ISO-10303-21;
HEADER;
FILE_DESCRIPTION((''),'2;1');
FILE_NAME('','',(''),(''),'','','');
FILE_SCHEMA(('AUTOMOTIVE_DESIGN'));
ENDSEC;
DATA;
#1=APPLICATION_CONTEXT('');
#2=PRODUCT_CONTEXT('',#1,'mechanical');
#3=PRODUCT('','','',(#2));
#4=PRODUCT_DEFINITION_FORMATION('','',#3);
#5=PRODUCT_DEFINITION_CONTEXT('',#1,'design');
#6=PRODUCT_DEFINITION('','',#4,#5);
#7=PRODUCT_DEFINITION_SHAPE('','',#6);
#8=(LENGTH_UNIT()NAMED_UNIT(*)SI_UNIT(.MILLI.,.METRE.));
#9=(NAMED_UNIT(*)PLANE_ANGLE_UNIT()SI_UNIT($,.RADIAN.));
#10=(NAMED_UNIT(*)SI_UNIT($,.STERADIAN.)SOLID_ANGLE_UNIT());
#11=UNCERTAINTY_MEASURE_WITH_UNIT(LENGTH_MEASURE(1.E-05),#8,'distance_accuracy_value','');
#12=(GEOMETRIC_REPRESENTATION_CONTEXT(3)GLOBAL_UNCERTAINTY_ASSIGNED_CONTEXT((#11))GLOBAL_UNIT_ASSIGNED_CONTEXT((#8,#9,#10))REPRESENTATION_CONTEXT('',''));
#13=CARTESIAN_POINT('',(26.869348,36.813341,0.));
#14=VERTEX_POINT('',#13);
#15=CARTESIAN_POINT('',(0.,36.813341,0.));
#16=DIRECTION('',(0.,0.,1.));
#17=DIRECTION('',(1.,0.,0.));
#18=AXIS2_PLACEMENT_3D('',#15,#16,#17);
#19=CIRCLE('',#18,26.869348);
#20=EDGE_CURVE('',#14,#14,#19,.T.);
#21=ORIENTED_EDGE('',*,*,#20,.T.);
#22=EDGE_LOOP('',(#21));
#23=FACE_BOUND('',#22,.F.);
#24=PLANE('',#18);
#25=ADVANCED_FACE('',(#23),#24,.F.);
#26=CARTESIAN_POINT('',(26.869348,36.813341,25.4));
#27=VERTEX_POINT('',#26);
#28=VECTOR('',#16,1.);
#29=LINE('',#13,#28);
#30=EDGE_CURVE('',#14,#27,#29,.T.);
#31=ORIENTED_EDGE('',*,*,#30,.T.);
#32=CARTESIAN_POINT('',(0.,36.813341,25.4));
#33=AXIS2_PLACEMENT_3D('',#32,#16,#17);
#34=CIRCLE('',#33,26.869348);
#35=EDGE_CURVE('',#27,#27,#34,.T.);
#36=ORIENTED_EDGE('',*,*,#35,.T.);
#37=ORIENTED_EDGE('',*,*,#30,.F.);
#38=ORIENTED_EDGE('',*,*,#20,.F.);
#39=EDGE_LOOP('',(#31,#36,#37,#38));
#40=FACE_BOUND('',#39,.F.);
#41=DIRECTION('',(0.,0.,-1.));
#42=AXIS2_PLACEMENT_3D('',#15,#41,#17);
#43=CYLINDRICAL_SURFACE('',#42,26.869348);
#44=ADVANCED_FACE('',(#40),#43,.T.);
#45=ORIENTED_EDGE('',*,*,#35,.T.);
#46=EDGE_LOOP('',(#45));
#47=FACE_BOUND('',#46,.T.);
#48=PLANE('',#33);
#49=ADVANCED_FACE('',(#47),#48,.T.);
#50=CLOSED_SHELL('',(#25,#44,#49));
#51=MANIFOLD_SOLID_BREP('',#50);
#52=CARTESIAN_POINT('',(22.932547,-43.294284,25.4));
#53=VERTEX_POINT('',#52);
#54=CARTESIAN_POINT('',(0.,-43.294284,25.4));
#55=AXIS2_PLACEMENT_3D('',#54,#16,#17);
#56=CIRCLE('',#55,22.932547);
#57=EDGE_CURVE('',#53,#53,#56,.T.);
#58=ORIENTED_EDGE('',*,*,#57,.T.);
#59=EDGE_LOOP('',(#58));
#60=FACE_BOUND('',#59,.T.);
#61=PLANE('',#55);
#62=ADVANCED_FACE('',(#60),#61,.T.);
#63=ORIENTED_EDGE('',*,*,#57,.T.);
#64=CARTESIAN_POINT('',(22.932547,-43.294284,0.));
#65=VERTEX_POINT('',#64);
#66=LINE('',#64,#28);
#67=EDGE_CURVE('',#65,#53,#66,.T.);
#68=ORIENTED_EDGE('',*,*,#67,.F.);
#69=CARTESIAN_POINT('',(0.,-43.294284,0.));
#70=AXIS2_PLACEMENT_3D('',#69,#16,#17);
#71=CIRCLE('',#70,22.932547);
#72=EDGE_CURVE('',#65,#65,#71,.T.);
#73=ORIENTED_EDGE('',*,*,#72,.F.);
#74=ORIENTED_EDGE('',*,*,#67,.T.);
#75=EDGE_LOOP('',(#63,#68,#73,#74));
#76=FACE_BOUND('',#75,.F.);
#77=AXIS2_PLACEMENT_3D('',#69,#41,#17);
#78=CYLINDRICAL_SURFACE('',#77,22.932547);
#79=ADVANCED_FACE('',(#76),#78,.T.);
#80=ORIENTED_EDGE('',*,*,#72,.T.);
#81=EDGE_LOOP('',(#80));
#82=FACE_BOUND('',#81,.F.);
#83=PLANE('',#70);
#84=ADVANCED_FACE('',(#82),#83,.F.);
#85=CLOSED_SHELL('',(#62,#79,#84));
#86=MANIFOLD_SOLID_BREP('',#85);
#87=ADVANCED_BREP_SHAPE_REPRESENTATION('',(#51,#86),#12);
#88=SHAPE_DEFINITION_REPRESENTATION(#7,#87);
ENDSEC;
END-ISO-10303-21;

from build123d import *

# Parameters (mm, degrees)
F0_R     = 22.932547
F1_DEPTH = 25.4
F2_R     = 26.869348
F3_DEPTH = 25.4


with BuildPart() as f1:
    # F0 (on Top) → F1 (new body)
    with BuildSketch(Plane.XY):
        with Locations((0, -43.294284)):
            Circle(F0_R)
    extrude(amount=F1_DEPTH)


with BuildPart() as f3:
    # F2 (on Top) → F3 (new body)
    with BuildSketch(Plane.XY):
        with Locations((0, 36.813341)):
            Circle(F2_R)
    extrude(amount=F3_DEPTH)


solid = Compound([f1.part, f3.part])
